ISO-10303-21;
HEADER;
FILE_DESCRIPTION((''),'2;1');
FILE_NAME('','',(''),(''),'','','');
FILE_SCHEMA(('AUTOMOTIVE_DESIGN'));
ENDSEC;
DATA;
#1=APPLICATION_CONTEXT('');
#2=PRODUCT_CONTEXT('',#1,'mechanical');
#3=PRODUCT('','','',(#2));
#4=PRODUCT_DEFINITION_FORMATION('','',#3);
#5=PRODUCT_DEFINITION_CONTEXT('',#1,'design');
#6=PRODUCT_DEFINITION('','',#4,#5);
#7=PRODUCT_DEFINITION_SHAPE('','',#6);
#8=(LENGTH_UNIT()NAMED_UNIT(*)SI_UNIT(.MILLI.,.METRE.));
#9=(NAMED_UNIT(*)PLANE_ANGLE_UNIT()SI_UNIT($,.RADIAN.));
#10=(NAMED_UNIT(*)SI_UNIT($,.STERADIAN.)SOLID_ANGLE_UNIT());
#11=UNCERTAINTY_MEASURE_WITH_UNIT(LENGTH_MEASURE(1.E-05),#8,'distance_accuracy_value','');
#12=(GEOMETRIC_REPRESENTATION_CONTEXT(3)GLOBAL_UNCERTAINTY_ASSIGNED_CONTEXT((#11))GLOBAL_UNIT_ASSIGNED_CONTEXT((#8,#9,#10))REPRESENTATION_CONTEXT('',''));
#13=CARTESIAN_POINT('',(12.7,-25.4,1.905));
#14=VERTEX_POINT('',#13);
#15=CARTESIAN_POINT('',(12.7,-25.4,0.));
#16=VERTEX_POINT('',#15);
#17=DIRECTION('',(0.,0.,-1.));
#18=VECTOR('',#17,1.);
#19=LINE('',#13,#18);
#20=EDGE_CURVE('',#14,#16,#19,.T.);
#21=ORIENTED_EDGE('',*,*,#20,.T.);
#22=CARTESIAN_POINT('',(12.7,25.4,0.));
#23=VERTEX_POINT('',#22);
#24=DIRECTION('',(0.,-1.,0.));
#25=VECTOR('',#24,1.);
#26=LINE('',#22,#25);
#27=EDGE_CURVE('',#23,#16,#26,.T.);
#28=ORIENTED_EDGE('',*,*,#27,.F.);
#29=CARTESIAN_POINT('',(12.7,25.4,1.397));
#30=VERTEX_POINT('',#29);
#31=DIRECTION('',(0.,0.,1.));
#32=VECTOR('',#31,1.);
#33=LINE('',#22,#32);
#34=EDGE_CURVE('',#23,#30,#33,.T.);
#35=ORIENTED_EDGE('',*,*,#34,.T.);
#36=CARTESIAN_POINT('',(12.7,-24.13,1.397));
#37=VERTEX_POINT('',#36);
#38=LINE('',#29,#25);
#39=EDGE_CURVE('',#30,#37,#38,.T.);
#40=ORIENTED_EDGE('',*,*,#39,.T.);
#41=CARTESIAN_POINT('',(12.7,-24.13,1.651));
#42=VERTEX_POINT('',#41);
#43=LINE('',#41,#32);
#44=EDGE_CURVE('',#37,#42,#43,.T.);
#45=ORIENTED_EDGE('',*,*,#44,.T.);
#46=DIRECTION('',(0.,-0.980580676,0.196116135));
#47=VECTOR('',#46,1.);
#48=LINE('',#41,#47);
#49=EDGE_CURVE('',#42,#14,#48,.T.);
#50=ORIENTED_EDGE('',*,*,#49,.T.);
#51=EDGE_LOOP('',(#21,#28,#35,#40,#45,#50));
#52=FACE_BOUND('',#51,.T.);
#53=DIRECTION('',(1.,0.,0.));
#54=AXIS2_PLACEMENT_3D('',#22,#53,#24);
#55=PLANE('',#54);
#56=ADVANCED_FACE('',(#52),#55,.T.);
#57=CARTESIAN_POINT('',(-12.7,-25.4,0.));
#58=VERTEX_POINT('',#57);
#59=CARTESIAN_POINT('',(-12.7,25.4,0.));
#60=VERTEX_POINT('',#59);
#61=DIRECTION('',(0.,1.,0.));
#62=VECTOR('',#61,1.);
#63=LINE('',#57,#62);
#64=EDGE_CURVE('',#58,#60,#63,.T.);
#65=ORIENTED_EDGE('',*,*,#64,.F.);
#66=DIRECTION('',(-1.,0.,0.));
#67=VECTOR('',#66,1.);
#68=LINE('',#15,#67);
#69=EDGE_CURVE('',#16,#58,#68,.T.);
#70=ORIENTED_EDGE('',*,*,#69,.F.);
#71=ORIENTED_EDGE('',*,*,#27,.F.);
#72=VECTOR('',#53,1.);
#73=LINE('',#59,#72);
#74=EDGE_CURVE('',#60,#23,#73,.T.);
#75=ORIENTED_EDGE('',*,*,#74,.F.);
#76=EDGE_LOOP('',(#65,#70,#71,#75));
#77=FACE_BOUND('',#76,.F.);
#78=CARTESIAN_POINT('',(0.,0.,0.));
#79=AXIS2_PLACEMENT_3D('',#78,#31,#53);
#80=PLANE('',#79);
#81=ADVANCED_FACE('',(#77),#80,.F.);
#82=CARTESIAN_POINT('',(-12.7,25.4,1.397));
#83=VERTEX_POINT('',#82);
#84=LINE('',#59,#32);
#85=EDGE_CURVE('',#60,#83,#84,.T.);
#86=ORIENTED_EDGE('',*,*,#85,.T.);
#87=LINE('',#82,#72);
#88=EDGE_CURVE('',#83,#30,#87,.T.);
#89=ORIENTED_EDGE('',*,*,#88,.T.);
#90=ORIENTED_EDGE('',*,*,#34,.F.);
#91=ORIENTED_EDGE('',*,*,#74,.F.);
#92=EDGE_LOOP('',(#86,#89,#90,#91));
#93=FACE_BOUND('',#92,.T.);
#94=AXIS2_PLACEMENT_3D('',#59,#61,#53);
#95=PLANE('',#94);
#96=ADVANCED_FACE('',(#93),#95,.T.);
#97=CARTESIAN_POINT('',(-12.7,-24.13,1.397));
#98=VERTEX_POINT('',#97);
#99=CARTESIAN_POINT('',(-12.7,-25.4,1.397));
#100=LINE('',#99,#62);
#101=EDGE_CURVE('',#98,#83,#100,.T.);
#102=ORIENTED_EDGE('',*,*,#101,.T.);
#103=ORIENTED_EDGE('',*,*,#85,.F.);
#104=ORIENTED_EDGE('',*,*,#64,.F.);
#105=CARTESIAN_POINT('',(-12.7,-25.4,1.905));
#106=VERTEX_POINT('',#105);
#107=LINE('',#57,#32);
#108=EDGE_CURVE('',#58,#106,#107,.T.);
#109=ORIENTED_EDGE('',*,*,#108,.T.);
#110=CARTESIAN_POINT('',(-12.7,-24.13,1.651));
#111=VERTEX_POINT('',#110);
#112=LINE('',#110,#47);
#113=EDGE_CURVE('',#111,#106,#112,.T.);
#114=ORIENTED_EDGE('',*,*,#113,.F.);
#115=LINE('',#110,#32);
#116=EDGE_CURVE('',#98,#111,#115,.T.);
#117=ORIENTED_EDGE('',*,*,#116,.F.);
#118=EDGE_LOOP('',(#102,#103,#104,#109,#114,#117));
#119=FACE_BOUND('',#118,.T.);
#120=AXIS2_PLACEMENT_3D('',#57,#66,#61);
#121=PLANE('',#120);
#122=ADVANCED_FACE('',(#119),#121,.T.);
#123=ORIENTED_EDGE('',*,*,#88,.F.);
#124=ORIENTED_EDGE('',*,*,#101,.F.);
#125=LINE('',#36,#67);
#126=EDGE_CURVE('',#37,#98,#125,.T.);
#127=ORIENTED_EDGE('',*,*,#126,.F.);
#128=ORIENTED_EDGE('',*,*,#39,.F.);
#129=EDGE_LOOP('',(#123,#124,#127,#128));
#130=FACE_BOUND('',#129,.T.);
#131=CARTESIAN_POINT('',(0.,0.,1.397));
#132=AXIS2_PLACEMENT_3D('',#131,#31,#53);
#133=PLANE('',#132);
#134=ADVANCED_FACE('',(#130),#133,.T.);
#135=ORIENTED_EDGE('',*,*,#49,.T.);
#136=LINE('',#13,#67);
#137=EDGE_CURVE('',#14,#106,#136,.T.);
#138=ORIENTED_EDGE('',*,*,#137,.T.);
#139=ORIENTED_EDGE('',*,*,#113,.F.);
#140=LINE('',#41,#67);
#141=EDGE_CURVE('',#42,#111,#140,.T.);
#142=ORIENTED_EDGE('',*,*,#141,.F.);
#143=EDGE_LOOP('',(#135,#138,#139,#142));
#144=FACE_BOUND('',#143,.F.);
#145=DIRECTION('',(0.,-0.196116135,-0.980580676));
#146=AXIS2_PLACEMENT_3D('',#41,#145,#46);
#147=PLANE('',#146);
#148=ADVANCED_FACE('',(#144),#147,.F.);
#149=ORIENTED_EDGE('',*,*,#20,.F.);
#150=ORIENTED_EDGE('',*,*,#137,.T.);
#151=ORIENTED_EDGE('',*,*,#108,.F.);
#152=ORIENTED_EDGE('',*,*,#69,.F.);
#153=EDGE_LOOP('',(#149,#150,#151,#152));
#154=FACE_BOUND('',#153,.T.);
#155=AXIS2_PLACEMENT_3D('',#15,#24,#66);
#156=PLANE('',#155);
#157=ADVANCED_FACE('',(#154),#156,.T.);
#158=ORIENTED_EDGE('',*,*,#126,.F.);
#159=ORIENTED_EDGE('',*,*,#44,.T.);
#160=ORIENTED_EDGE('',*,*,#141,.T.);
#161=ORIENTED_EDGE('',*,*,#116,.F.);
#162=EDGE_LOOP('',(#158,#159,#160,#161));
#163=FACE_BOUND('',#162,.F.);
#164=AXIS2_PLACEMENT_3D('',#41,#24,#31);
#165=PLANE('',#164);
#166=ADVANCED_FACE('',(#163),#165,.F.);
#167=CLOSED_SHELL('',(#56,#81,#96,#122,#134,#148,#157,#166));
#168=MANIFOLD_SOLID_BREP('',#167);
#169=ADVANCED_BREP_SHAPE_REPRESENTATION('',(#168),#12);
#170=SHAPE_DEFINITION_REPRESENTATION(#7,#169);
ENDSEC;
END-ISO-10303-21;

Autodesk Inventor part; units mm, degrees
ref_plane "YZ Plane" through (0, 0, 0) normal (1, 0, 0) x (0, 1, 0)
ref_plane "XZ Plane" through (0, 0, 0) normal (0, 1, 0) x (-1, 0, 0)
ref_plane "XY Plane" through (0, 0, 0) normal (0, 0, 1) x (1, 0, 0)
sketch "Sketch1" plane through (0, 0, 0) normal (0, 0, 1) x (1, 0, 0)
  line L0 (-12.7, 25.4) -> (12.7, 25.4)
  line L1 (12.7, 25.4) -> (12.7, -25.4)
  line L2 (12.7, -25.4) -> (-12.7, -25.4)
  line L3 (-12.7, -25.4) -> (-12.7, 25.4)
  line L4 (-12.7, 25.4) -> (12.7, -25.4) construction
  line L5 (12.7, 25.4) -> (-12.7, -25.4) construction
  point P0 (0, 0)
  dimension "d0" = 25.4
  dimension "d1" = 50.8
extrude "Extrusion1" add sketch "Sketch1" along normal blind 1.397
sketch "Sketch3" plane through (12.7, -25.4, 0) normal (1, 0, 0) x (0, 0, -1)
  line L0 (0, 50.8) -> (0, 0) projected
  line L1 (0, 50.8) -> (-1.397, 50.8) projected
  line L2 (-1.397, 0) -> (-1.397, 50.8) projected
  line L3 (0, 0) -> (-1.397, 0) projected
  line L4 (-1.397, 0) -> (-1.905, 0)
  line L5 (-1.397, 0) -> (-1.397, 1.27)
  line L6 (-1.397, 53.34) -> (-1.397, 0) projected
  line L7 (-1.651, 1.27) -> (-1.397, 1.27)
  line L8 (-1.651, 1.27) -> (-1.905, 0)
  point P0 (0, 25.4)
  dimension "d8" = 0.508
  dimension "d9" = 1.27
  dimension "d10" = 0.254
ref_plane "Work Plane1" through (0, 0, 1.651) normal (0, 0, 1) x (1, 0, 0)
sketch "Sketch6" plane through (0, 0, 1.651) normal (0, 0, 1) x (1, 0, 0)
  line L0 (12.7, -24.13) -> (12.7, -25.4) projected
  line L1 (12.7, -25.4) -> (12.7, 25.4) projected
  line L2 (12.7, -24.765) -> (-12.7, -24.765)
  line L3 (-12.7, -25.4) -> (12.7, -25.4) projected
  line L4 (-12.7, -25.4) -> (12.7, -25.4) projected
  point P0 (0, 0)
  dimension "d12" = 0.635
sweep "Sweep1" add profiles "Sketch3" path "Sketch6" path curves L2 contours L4 L8 L7 L2
ref_plane "Work Plane2" through (-12.7, 0, 0) normal (0, -1, 0) x (1, 0, 0)
properties part number "wall"
